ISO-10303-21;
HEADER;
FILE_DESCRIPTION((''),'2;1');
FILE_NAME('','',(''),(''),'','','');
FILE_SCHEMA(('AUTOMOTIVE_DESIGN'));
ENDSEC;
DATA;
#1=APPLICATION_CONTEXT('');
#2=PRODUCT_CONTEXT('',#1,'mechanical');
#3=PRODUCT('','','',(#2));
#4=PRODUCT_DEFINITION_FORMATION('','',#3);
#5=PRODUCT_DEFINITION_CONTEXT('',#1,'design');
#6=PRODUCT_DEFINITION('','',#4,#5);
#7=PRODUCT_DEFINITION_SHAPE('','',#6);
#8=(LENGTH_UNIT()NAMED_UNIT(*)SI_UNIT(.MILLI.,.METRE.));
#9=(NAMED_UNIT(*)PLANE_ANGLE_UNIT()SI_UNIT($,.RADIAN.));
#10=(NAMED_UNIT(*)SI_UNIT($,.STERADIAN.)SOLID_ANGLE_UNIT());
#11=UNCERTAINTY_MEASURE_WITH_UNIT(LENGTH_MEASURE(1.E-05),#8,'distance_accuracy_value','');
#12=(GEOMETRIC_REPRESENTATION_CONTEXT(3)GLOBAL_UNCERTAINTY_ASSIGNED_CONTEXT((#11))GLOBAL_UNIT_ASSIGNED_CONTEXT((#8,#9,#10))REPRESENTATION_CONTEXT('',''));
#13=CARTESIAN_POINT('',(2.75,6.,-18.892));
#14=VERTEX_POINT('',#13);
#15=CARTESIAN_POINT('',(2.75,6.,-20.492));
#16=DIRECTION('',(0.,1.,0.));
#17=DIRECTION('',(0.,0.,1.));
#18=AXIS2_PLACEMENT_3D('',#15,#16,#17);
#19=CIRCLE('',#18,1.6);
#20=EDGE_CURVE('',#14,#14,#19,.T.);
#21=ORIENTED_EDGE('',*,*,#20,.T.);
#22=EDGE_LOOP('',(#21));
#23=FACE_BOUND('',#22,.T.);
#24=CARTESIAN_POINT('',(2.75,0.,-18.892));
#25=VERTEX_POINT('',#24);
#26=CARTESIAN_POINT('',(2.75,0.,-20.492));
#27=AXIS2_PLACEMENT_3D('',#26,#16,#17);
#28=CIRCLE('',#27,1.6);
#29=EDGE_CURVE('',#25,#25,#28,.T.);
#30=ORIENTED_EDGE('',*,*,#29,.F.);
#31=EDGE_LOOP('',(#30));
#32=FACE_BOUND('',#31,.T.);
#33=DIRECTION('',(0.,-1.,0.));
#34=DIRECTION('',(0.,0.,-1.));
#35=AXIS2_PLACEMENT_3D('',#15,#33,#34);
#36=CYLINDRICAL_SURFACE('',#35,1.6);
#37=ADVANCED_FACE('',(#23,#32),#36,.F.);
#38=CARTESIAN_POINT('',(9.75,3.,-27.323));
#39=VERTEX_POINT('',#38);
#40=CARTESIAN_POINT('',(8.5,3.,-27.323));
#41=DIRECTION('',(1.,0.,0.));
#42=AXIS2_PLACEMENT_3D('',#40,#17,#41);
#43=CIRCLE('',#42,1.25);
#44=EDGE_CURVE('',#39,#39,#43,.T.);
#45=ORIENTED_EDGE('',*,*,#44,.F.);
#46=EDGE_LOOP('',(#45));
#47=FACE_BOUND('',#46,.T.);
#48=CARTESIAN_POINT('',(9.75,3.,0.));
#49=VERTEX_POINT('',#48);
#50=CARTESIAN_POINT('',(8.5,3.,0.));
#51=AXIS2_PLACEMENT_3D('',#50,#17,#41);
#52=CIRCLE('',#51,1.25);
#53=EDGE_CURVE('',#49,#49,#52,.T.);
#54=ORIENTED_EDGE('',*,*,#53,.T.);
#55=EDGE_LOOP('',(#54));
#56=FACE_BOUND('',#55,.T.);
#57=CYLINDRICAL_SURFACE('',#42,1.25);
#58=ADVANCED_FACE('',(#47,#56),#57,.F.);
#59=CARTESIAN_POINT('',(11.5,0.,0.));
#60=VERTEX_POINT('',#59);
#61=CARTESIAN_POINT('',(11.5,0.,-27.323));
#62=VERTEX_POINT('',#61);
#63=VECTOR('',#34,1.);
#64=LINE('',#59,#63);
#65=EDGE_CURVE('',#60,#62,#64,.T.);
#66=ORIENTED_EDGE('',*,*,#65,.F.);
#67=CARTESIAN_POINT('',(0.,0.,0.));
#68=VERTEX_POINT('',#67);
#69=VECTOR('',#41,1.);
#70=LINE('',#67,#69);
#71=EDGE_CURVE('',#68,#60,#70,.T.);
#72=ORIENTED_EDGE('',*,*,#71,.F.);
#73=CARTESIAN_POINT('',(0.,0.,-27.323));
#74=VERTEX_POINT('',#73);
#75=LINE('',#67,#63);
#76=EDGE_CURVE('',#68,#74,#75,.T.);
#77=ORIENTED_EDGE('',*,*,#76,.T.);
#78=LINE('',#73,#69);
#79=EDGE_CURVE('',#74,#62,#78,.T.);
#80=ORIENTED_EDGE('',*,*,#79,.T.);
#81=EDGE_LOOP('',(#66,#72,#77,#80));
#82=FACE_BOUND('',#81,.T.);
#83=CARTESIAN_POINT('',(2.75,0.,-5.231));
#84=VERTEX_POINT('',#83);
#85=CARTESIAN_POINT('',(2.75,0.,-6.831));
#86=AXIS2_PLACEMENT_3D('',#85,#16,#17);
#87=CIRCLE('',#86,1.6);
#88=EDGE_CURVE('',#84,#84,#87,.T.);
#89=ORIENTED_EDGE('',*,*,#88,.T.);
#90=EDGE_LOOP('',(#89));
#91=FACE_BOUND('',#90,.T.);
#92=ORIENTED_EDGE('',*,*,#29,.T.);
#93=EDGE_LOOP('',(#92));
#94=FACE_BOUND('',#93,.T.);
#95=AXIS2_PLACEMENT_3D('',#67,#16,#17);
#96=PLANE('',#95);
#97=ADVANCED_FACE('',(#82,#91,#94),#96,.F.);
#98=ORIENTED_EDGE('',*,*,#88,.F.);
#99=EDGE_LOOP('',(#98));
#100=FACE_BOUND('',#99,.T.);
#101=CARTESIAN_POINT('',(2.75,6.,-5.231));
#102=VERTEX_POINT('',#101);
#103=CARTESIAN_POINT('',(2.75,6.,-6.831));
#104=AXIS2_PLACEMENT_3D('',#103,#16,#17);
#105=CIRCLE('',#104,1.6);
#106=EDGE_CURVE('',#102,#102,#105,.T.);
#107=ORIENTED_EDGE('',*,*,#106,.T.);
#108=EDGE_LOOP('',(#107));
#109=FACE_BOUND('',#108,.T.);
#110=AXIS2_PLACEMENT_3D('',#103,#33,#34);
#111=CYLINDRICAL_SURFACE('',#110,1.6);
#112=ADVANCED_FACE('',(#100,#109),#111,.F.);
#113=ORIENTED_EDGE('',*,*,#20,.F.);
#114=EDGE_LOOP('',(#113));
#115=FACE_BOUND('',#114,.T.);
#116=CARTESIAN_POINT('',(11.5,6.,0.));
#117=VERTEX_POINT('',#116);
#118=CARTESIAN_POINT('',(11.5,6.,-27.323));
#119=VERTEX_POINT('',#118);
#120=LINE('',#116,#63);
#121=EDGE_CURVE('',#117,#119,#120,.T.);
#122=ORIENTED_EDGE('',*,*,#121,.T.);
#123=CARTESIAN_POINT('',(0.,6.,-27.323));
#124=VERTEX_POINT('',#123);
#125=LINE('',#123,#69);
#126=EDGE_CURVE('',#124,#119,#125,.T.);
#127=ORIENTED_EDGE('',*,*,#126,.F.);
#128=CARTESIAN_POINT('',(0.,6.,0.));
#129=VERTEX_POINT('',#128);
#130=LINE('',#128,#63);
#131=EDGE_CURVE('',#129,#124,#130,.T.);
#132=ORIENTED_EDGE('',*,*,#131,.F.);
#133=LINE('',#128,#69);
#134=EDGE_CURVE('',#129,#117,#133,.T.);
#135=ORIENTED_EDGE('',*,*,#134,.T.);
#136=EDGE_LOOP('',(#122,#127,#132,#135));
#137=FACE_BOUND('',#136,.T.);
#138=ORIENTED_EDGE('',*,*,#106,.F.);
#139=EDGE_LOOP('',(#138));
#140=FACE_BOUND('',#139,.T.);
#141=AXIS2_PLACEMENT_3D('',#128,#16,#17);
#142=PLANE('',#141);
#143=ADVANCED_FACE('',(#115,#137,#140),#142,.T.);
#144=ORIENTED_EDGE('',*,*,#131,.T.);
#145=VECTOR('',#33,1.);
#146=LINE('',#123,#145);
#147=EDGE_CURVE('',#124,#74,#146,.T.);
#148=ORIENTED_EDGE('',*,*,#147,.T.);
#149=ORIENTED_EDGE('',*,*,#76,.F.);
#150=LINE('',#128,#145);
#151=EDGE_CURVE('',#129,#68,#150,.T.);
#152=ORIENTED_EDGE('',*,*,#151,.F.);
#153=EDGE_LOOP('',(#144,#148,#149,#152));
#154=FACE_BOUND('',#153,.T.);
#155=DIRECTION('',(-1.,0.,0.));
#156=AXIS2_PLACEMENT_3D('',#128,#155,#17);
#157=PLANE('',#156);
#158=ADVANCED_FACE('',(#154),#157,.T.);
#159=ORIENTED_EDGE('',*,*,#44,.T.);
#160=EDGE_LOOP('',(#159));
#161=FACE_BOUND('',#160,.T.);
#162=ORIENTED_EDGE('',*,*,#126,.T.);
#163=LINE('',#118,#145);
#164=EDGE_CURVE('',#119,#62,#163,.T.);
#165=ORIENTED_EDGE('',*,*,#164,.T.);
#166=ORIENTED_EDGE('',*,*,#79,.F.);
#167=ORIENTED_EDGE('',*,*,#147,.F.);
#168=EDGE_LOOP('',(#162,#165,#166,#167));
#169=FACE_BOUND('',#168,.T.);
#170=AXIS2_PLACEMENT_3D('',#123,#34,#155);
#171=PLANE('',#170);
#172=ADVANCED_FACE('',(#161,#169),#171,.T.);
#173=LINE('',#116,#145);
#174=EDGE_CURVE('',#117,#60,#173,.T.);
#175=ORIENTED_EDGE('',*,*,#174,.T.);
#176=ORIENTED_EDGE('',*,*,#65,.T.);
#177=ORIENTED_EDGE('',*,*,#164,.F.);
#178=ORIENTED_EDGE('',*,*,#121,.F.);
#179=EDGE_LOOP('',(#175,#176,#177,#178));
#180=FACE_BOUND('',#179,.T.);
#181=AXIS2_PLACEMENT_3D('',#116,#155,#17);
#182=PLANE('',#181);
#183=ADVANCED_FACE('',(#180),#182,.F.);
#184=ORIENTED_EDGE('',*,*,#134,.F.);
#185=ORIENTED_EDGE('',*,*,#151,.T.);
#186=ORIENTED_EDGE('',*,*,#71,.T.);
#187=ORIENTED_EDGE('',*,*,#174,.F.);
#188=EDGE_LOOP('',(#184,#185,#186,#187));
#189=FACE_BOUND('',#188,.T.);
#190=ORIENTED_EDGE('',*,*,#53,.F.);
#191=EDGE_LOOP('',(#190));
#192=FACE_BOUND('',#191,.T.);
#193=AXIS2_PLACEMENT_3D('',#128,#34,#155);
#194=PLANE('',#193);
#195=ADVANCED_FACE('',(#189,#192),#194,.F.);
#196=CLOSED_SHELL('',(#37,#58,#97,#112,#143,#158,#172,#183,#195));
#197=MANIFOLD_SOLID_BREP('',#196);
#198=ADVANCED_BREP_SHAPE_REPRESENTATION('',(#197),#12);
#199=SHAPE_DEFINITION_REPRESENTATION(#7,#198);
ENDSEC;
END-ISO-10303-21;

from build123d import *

# Parameters (mm, degrees)
BOSS_EXTRUDE1_DEPTH = 6
SKETCH2_R           = 1.25
CUT_EXTRUDE1_DEPTH  = 31.245600159


with BuildPart() as part:
    # Sketch1 → Boss-Extrude1 (new body)
    with BuildSketch(Plane(origin=(0, 0, 0), x_dir=(1, 0, 0), z_dir=(0, 1, 0))):
        with BuildLine():
            Line((5.5, 27.323), (2.75, 27.323))
            Line((2.75, 27.323), (2.75, 22.092))
            ThreePointArc((2.75, 22.092), (3.88137085, 21.62337085), (4.35, 20.492))
            ThreePointArc((4.35, 20.492), (3.88137085, 19.36062915), (2.75, 18.892))
            Line((2.75, 18.892), (2.75, 13.6615))
            Line((2.75, 13.6615), (2.75, 8.431))
            ThreePointArc((2.75, 8.431), (3.88137085, 7.96237085), (4.35, 6.831))
            ThreePointArc((4.35, 6.831), (3.88137085, 5.69962915), (2.75, 5.231))
            Line((2.75, 5.231), (2.75, 0))
            Line((2.75, 0), (11.5, 0))
            Line((11.5, 0), (11.5, 27.323))
            Line((11.5, 27.323), (5.5, 27.323))
        make_face()
        with BuildLine():
            Line((2.75, 27.323), (0, 27.323))
            Line((0, 27.323), (0, 0))
            Line((0, 0), (2.75, 0))
            Line((2.75, 0), (2.75, 5.231))
            ThreePointArc((2.75, 5.231), (1.15, 6.831), (2.75, 8.431))
            Line((2.75, 8.431), (2.75, 13.6615))
            Line((2.75, 13.6615), (2.75, 18.892))
            ThreePointArc((2.75, 18.892), (1.15, 20.492), (2.75, 22.092))
            Line((2.75, 22.092), (2.75, 27.323))
        make_face()
    extrude(amount=BOSS_EXTRUDE1_DEPTH)

    # Sketch2 → Cut-Extrude1 (cut, through all)
    with BuildSketch(Plane.XY):
        with Locations((8.5, 3)):
            Circle(SKETCH2_R)
    extrude(amount=-CUT_EXTRUDE1_DEPTH, mode=Mode.SUBTRACT)


solid = part.part
